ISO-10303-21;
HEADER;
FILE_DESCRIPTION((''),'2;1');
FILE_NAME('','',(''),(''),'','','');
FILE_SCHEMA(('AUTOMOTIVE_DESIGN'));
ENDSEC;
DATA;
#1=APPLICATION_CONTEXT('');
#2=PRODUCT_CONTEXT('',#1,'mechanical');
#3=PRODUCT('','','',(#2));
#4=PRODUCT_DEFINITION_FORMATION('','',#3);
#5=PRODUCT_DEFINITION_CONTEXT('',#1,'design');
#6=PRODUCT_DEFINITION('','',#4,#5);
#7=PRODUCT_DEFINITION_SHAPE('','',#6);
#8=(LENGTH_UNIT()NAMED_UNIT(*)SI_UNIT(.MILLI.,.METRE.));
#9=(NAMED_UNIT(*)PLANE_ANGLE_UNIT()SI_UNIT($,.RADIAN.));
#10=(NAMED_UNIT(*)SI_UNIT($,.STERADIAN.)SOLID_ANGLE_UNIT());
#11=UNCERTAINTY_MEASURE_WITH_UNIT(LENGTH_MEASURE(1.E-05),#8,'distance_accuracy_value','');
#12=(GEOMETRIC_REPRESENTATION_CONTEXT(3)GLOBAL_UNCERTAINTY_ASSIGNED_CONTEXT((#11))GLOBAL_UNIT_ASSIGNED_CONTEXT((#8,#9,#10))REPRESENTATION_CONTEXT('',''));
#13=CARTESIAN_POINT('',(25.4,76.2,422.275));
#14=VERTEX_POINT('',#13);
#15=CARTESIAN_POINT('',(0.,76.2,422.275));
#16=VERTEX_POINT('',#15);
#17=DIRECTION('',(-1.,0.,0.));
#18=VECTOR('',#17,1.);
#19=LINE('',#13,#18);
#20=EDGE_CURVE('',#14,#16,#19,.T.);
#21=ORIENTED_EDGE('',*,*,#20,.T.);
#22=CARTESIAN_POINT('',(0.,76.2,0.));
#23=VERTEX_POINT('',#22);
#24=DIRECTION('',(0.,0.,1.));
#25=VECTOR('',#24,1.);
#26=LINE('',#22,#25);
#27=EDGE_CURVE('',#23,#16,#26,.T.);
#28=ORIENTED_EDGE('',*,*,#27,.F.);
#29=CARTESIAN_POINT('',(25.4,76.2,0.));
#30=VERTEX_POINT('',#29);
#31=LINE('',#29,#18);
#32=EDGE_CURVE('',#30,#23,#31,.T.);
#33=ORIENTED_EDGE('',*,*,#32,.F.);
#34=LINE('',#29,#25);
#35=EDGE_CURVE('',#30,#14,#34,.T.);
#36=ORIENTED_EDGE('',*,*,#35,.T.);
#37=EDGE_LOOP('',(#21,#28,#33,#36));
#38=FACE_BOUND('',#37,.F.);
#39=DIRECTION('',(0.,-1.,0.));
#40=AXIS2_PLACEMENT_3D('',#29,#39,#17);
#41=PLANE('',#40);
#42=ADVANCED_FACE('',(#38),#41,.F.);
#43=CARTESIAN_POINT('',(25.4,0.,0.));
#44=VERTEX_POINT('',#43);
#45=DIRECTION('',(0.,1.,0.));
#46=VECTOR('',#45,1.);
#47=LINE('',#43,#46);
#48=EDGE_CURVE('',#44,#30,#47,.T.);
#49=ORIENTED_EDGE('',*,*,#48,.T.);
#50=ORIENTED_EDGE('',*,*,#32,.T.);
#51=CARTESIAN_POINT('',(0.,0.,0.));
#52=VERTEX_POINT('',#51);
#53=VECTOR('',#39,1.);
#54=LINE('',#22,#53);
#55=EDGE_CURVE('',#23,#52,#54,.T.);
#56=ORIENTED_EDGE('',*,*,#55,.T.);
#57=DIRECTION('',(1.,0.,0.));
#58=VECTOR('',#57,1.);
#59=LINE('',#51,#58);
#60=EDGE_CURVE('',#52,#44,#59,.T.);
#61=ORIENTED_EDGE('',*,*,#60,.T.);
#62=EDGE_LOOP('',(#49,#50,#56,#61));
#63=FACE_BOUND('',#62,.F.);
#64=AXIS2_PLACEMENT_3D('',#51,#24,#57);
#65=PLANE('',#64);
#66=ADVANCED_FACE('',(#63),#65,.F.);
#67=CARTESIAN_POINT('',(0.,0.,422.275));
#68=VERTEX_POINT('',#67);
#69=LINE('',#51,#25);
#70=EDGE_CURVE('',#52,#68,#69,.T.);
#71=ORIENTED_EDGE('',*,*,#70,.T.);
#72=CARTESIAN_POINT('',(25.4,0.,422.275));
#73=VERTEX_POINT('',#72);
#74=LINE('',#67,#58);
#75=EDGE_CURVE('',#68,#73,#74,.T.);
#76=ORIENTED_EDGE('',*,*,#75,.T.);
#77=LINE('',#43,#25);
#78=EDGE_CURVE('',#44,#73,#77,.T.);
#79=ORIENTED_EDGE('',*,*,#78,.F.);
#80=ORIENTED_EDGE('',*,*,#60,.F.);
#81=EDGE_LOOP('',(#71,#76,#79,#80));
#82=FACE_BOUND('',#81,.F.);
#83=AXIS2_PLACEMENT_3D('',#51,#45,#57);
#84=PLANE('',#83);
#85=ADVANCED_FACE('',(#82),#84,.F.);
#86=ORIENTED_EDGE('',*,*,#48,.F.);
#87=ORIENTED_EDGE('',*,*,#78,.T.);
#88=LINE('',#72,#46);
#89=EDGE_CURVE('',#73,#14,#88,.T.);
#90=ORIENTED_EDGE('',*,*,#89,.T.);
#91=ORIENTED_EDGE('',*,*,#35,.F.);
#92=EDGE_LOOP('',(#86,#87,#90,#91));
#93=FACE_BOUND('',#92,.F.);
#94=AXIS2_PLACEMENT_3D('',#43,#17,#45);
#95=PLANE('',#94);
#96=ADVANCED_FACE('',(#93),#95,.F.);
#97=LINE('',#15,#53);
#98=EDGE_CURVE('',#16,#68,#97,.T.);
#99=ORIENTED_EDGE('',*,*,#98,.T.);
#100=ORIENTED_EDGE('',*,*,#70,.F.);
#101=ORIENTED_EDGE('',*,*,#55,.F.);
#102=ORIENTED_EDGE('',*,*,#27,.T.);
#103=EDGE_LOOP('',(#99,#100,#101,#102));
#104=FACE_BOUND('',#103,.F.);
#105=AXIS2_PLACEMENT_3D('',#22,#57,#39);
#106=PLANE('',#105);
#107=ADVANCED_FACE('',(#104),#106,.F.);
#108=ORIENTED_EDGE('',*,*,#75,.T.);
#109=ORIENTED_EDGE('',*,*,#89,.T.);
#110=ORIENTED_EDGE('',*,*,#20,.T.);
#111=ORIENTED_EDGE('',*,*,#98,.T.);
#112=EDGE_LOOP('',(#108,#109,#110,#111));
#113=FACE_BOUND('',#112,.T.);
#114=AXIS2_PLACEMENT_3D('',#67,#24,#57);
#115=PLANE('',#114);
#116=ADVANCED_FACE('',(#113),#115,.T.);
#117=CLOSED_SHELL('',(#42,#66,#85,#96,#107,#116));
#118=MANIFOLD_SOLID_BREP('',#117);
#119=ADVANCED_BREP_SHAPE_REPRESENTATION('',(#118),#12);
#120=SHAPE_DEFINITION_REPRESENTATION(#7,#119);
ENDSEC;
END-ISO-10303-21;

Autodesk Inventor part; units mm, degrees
ref_plane "YZ Plane" through (0, 0, 0) normal (1, 0, 0) x (0, 1, 0)
ref_plane "XZ Plane" through (0, 0, 0) normal (0, 1, 0) x (-1, 0, 0)
ref_plane "XY Plane" through (0, 0, 0) normal (0, 0, 1) x (1, 0, 0)
sketch "Sketch1" plane through (0, 0, 0) normal (0, 0, 1) x (1, 0, 0)
  line L0 (0, 0) -> (25.4, 0)
  line L1 (25.4, 0) -> (25.4, 76.2)
  line L2 (25.4, 76.2) -> (0, 76.2)
  line L3 (0, 76.2) -> (0, 0)
  dimension "d0" = 25.4
  dimension "d1" = 76.2
extrude "Extrusion1" add sketch "Sketch1" along normal blind 422.275
properties part number "17in wire duct"
